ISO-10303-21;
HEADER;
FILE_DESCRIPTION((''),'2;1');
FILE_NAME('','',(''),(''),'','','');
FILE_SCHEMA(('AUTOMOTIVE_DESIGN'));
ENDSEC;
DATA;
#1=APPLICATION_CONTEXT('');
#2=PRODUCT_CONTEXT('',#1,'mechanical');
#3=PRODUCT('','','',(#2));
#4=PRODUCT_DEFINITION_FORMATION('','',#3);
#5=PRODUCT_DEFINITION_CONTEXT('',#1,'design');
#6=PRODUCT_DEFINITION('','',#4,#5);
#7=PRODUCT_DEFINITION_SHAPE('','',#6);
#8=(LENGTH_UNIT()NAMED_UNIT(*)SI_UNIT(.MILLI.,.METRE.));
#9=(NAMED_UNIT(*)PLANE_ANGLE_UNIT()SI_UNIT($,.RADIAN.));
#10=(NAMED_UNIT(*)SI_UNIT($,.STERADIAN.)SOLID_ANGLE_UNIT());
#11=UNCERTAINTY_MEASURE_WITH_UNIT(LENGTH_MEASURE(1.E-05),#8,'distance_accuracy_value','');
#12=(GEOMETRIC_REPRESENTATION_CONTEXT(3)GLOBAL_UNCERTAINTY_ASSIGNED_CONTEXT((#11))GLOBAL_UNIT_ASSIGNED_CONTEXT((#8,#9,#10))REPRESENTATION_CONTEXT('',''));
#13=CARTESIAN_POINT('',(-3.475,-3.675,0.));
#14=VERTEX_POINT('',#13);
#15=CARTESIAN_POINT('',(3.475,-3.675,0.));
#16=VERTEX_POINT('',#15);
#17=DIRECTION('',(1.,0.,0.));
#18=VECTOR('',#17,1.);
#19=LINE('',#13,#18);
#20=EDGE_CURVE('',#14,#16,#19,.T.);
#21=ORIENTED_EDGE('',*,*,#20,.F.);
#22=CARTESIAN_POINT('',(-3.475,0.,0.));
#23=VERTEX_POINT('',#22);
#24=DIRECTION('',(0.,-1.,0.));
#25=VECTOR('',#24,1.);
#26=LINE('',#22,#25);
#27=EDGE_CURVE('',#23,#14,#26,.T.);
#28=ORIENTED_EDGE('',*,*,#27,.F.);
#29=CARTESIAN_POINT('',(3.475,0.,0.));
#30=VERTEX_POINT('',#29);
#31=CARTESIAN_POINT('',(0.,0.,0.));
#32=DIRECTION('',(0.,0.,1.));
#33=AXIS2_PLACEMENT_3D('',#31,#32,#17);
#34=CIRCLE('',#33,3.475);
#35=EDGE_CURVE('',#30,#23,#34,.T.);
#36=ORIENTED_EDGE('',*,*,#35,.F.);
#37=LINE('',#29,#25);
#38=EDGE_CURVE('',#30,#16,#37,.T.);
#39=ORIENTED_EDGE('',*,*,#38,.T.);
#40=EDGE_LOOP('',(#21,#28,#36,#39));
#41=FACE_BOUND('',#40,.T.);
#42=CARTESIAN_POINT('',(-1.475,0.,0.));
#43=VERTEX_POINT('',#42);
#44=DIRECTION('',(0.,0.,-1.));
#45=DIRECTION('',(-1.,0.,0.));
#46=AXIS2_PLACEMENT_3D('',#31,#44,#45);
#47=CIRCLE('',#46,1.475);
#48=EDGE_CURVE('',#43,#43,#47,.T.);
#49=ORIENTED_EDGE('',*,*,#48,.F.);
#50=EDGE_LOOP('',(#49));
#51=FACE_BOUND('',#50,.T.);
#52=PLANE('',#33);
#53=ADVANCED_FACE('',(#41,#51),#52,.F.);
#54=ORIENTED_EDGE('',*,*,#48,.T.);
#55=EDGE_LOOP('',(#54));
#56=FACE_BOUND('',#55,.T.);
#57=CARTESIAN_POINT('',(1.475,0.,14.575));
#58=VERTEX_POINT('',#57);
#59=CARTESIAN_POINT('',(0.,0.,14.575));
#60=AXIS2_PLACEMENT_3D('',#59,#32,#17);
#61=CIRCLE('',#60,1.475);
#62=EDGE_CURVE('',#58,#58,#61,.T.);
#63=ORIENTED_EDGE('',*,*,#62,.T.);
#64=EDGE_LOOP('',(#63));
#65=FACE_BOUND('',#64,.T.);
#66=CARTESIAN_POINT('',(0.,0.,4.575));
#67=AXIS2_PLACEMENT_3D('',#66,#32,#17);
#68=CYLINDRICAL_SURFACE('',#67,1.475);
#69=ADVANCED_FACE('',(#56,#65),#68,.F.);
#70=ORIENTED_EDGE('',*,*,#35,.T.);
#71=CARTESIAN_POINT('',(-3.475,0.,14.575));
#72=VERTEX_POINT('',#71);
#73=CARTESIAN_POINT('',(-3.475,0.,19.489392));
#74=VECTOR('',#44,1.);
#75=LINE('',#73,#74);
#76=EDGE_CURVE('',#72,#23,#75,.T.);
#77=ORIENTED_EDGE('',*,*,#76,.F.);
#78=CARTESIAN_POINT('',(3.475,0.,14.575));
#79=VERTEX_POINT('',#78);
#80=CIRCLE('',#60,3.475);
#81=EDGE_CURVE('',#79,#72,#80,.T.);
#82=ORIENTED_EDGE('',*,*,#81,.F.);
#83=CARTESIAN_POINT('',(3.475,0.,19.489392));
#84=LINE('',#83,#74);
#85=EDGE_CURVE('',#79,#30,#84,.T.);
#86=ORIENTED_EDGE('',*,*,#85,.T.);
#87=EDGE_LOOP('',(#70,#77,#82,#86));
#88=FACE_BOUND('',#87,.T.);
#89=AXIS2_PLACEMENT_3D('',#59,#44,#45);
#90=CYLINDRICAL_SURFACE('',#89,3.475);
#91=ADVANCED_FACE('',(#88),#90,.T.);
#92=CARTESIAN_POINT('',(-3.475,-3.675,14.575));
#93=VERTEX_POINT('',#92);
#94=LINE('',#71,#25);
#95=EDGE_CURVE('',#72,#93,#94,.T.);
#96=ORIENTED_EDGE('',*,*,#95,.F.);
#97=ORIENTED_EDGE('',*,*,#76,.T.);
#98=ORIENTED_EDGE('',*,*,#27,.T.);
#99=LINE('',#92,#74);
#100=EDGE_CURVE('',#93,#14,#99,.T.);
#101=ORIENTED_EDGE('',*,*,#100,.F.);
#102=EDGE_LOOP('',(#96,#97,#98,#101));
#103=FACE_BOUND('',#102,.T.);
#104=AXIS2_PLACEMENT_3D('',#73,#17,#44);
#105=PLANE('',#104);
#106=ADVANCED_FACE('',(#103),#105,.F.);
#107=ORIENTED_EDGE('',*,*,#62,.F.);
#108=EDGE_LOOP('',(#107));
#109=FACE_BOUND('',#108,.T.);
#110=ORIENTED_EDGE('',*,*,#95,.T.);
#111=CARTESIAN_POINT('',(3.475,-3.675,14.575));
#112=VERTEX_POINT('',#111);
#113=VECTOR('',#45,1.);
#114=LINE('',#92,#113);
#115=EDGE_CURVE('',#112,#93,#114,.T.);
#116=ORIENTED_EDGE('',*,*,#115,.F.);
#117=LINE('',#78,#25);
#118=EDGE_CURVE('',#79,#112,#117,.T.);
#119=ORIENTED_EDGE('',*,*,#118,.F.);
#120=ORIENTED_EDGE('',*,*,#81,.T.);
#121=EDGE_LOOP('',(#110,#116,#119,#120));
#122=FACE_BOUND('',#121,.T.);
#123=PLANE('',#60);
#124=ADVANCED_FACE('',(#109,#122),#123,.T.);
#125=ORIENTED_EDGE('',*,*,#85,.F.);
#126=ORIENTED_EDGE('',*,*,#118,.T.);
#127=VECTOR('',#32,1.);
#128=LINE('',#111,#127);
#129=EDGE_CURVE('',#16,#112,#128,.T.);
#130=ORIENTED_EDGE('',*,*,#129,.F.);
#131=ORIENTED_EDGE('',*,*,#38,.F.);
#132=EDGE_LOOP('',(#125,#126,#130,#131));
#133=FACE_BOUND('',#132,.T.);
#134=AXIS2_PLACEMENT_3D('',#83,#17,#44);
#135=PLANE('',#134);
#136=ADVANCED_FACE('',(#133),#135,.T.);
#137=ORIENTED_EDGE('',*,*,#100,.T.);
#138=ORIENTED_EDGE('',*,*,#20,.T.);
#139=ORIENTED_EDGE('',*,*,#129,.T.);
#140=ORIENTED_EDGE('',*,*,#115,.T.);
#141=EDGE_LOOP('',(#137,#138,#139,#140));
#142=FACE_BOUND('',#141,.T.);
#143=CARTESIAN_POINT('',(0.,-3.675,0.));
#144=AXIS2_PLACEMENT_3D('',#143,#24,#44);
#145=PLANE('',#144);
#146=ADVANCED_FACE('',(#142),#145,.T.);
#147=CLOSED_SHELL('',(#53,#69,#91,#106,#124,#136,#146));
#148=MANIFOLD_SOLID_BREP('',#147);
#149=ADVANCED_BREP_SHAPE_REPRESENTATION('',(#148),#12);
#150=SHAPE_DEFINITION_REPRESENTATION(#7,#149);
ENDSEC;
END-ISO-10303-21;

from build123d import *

# Parameters (mm, degrees)
SKETCH2_R           = 3.475
BOSS_EXTRUDE2_DEPTH = 14.575
SKETCH3_R           = 1.475
CUT_EXTRUDE1_DEPTH  = 10
CUT_EXTRUDE2_START  = -10
SKETCH4_R           = 1.475
CUT_EXTRUDE2_DEPTH  = 10
BOSS_EXTRUDE3_DEPTH = 14.575
SKETCH6_W           = 6.95
SKETCH6_H           = 14.575
BOSS_EXTRUDE4_DEPTH = 0.2


with BuildPart() as part:
    # Sketch2 → Boss-Extrude2 (new body)
    with BuildSketch(Plane.XY):
        Circle(SKETCH2_R)
    extrude(amount=BOSS_EXTRUDE2_DEPTH)

    # Sketch3 → Cut-Extrude1 (cut)
    with BuildSketch(Plane.XY.offset(14.575)):
        Circle(SKETCH3_R)
    extrude(amount=-CUT_EXTRUDE1_DEPTH, mode=Mode.SUBTRACT)

    # Sketch4 → Cut-Extrude2 (cut)
    with BuildSketch(Plane(origin=(0, 0, 0), x_dir=(-1, 0, 0), z_dir=(0, 0, -1)).offset(CUT_EXTRUDE2_START)):
        with Locations(Location((0, 0, 0), (0, 0, 180))):
            Circle(SKETCH4_R)
    extrude(amount=CUT_EXTRUDE2_DEPTH, mode=Mode.SUBTRACT)

    # Sketch5 → Boss-Extrude3 (add)
    with BuildSketch(Plane(origin=(0, 0, 0), x_dir=(-1, 0, 0), z_dir=(0, 0, -1))):
        with BuildLine():
            ThreePointArc((0, -3.475), (-2.457196065, -2.457196065), (-3.475, 0))
            Line((-3.475, 0), (-3.475, -3.475))
            Line((-3.475, -3.475), (0, -3.475))
        make_face()
        with BuildLine():
            Line((3.475, -3.475), (3.475, 0))
            ThreePointArc((3.475, 0), (2.457196065, -2.457196065), (0, -3.475))
            Line((0, -3.475), (3.475, -3.475))
        make_face()
    extrude(amount=-BOSS_EXTRUDE3_DEPTH)

    # Sketch6 → Boss-Extrude4 (add)
    with BuildSketch(Plane.XZ.offset(3.475)):
        with Locations((0, 7.2875)):
            Rectangle(SKETCH6_W, SKETCH6_H)
    extrude(amount=BOSS_EXTRUDE4_DEPTH)


solid = part.part
